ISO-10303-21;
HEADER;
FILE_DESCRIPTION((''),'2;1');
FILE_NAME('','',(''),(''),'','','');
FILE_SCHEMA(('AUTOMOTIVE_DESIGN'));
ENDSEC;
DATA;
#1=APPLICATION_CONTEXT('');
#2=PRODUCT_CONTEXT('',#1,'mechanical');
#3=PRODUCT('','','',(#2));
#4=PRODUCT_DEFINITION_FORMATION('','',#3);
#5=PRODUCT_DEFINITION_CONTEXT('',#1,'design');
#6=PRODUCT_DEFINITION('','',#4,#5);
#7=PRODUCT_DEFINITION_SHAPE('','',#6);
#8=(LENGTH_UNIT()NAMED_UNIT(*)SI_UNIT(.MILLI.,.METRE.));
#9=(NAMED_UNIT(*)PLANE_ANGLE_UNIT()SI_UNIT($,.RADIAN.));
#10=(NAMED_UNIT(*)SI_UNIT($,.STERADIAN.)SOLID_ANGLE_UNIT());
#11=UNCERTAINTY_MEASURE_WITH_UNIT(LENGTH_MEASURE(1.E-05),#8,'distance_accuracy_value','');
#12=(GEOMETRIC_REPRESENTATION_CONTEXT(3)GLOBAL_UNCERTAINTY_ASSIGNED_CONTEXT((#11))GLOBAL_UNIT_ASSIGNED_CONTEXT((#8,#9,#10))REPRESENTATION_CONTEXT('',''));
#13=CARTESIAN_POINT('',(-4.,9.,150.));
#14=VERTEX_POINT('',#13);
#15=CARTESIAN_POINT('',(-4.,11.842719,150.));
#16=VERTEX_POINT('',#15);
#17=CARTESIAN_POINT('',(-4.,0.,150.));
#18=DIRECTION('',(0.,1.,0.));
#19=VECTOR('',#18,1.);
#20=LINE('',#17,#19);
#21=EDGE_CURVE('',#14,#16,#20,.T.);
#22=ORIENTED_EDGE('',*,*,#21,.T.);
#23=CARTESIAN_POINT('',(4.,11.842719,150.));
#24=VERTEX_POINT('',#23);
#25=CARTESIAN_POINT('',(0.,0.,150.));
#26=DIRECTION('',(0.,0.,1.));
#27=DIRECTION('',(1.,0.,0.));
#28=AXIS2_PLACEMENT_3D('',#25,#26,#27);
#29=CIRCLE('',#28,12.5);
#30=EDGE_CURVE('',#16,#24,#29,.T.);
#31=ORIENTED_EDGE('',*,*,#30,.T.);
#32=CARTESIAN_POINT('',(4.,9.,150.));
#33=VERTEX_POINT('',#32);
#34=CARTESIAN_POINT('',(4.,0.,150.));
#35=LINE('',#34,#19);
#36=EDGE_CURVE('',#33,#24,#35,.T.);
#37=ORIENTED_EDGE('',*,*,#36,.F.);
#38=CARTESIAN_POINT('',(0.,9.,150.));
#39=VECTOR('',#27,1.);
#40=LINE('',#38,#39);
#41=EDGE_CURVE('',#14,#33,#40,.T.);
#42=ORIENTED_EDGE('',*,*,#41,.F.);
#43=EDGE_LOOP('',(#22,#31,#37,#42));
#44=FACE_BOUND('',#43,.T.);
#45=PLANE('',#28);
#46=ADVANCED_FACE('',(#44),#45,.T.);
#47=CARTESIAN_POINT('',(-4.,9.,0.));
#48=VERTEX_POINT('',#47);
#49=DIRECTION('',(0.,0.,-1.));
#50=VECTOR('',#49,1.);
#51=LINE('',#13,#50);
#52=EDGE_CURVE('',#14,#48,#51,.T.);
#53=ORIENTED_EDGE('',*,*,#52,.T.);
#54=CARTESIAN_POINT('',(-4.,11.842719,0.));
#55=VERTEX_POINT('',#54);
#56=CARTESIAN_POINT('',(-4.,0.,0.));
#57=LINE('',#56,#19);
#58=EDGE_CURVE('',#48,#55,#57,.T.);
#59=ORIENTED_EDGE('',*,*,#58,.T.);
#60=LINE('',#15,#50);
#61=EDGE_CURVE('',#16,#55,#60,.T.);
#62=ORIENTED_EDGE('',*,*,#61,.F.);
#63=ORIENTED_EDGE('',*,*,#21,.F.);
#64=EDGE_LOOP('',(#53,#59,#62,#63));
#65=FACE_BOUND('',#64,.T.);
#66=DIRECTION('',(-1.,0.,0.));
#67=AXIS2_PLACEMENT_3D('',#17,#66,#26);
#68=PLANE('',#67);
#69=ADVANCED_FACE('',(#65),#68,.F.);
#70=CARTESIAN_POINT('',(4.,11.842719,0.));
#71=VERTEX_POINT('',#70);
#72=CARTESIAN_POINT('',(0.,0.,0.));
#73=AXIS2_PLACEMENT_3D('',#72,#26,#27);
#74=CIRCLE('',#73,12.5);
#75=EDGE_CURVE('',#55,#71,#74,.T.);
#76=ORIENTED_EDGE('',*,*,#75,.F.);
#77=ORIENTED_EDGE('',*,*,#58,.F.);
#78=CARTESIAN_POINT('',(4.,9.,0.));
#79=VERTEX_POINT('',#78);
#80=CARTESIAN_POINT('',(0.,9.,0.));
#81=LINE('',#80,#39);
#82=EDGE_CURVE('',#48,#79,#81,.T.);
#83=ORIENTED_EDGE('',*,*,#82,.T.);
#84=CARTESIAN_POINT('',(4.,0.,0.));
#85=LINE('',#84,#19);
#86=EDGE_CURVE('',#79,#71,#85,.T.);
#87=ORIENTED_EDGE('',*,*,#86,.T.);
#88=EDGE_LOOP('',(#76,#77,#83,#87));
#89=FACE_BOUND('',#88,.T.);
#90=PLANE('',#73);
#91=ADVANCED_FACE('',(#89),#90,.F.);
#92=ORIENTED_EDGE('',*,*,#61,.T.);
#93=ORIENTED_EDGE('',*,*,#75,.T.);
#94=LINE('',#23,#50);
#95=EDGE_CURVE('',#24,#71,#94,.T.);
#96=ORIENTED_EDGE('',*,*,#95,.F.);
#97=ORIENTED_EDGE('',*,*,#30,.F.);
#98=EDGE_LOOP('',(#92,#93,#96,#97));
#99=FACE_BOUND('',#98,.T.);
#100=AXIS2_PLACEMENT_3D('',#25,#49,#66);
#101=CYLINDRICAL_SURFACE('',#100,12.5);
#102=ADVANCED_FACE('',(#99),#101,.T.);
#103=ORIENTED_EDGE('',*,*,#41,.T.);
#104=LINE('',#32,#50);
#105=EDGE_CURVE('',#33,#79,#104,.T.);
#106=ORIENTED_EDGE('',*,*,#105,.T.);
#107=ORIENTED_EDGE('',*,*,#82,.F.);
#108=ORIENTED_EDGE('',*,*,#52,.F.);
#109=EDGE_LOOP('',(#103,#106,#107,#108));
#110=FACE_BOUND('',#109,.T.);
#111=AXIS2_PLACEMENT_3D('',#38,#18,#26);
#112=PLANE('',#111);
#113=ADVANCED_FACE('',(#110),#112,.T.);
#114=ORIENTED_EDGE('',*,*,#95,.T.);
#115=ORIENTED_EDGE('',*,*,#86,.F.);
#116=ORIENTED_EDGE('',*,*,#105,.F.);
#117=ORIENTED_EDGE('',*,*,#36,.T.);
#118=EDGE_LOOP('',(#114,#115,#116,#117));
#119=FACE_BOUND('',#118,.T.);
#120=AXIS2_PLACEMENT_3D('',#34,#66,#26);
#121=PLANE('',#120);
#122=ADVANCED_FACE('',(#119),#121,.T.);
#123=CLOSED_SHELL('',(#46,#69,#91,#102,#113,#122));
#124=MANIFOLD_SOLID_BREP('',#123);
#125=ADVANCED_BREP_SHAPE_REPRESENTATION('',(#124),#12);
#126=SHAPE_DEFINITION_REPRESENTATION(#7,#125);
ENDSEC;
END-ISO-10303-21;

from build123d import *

# Parameters (mm, degrees)
BOSS_EXTRUDE1_DEPTH = 150


with BuildPart() as part:
    # Sketch1 → Boss-Extrude1 (new body)
    with BuildSketch(Plane.XY):
        with BuildLine():
            Line((4, 9), (-4, 9))
            Line((-4, 9), (-4, 11.842719282))
            ThreePointArc((-4, 11.842719282), (-7.288689869, -10.155048006), (12.5, 0))
            ThreePointArc((12.5, 0), (10.155048006, 7.288689869), (4, 11.842719282))
            Line((4, 11.842719282), (4, 9))
        make_face()
    extrude(amount=BOSS_EXTRUDE1_DEPTH)


solid = part.part
